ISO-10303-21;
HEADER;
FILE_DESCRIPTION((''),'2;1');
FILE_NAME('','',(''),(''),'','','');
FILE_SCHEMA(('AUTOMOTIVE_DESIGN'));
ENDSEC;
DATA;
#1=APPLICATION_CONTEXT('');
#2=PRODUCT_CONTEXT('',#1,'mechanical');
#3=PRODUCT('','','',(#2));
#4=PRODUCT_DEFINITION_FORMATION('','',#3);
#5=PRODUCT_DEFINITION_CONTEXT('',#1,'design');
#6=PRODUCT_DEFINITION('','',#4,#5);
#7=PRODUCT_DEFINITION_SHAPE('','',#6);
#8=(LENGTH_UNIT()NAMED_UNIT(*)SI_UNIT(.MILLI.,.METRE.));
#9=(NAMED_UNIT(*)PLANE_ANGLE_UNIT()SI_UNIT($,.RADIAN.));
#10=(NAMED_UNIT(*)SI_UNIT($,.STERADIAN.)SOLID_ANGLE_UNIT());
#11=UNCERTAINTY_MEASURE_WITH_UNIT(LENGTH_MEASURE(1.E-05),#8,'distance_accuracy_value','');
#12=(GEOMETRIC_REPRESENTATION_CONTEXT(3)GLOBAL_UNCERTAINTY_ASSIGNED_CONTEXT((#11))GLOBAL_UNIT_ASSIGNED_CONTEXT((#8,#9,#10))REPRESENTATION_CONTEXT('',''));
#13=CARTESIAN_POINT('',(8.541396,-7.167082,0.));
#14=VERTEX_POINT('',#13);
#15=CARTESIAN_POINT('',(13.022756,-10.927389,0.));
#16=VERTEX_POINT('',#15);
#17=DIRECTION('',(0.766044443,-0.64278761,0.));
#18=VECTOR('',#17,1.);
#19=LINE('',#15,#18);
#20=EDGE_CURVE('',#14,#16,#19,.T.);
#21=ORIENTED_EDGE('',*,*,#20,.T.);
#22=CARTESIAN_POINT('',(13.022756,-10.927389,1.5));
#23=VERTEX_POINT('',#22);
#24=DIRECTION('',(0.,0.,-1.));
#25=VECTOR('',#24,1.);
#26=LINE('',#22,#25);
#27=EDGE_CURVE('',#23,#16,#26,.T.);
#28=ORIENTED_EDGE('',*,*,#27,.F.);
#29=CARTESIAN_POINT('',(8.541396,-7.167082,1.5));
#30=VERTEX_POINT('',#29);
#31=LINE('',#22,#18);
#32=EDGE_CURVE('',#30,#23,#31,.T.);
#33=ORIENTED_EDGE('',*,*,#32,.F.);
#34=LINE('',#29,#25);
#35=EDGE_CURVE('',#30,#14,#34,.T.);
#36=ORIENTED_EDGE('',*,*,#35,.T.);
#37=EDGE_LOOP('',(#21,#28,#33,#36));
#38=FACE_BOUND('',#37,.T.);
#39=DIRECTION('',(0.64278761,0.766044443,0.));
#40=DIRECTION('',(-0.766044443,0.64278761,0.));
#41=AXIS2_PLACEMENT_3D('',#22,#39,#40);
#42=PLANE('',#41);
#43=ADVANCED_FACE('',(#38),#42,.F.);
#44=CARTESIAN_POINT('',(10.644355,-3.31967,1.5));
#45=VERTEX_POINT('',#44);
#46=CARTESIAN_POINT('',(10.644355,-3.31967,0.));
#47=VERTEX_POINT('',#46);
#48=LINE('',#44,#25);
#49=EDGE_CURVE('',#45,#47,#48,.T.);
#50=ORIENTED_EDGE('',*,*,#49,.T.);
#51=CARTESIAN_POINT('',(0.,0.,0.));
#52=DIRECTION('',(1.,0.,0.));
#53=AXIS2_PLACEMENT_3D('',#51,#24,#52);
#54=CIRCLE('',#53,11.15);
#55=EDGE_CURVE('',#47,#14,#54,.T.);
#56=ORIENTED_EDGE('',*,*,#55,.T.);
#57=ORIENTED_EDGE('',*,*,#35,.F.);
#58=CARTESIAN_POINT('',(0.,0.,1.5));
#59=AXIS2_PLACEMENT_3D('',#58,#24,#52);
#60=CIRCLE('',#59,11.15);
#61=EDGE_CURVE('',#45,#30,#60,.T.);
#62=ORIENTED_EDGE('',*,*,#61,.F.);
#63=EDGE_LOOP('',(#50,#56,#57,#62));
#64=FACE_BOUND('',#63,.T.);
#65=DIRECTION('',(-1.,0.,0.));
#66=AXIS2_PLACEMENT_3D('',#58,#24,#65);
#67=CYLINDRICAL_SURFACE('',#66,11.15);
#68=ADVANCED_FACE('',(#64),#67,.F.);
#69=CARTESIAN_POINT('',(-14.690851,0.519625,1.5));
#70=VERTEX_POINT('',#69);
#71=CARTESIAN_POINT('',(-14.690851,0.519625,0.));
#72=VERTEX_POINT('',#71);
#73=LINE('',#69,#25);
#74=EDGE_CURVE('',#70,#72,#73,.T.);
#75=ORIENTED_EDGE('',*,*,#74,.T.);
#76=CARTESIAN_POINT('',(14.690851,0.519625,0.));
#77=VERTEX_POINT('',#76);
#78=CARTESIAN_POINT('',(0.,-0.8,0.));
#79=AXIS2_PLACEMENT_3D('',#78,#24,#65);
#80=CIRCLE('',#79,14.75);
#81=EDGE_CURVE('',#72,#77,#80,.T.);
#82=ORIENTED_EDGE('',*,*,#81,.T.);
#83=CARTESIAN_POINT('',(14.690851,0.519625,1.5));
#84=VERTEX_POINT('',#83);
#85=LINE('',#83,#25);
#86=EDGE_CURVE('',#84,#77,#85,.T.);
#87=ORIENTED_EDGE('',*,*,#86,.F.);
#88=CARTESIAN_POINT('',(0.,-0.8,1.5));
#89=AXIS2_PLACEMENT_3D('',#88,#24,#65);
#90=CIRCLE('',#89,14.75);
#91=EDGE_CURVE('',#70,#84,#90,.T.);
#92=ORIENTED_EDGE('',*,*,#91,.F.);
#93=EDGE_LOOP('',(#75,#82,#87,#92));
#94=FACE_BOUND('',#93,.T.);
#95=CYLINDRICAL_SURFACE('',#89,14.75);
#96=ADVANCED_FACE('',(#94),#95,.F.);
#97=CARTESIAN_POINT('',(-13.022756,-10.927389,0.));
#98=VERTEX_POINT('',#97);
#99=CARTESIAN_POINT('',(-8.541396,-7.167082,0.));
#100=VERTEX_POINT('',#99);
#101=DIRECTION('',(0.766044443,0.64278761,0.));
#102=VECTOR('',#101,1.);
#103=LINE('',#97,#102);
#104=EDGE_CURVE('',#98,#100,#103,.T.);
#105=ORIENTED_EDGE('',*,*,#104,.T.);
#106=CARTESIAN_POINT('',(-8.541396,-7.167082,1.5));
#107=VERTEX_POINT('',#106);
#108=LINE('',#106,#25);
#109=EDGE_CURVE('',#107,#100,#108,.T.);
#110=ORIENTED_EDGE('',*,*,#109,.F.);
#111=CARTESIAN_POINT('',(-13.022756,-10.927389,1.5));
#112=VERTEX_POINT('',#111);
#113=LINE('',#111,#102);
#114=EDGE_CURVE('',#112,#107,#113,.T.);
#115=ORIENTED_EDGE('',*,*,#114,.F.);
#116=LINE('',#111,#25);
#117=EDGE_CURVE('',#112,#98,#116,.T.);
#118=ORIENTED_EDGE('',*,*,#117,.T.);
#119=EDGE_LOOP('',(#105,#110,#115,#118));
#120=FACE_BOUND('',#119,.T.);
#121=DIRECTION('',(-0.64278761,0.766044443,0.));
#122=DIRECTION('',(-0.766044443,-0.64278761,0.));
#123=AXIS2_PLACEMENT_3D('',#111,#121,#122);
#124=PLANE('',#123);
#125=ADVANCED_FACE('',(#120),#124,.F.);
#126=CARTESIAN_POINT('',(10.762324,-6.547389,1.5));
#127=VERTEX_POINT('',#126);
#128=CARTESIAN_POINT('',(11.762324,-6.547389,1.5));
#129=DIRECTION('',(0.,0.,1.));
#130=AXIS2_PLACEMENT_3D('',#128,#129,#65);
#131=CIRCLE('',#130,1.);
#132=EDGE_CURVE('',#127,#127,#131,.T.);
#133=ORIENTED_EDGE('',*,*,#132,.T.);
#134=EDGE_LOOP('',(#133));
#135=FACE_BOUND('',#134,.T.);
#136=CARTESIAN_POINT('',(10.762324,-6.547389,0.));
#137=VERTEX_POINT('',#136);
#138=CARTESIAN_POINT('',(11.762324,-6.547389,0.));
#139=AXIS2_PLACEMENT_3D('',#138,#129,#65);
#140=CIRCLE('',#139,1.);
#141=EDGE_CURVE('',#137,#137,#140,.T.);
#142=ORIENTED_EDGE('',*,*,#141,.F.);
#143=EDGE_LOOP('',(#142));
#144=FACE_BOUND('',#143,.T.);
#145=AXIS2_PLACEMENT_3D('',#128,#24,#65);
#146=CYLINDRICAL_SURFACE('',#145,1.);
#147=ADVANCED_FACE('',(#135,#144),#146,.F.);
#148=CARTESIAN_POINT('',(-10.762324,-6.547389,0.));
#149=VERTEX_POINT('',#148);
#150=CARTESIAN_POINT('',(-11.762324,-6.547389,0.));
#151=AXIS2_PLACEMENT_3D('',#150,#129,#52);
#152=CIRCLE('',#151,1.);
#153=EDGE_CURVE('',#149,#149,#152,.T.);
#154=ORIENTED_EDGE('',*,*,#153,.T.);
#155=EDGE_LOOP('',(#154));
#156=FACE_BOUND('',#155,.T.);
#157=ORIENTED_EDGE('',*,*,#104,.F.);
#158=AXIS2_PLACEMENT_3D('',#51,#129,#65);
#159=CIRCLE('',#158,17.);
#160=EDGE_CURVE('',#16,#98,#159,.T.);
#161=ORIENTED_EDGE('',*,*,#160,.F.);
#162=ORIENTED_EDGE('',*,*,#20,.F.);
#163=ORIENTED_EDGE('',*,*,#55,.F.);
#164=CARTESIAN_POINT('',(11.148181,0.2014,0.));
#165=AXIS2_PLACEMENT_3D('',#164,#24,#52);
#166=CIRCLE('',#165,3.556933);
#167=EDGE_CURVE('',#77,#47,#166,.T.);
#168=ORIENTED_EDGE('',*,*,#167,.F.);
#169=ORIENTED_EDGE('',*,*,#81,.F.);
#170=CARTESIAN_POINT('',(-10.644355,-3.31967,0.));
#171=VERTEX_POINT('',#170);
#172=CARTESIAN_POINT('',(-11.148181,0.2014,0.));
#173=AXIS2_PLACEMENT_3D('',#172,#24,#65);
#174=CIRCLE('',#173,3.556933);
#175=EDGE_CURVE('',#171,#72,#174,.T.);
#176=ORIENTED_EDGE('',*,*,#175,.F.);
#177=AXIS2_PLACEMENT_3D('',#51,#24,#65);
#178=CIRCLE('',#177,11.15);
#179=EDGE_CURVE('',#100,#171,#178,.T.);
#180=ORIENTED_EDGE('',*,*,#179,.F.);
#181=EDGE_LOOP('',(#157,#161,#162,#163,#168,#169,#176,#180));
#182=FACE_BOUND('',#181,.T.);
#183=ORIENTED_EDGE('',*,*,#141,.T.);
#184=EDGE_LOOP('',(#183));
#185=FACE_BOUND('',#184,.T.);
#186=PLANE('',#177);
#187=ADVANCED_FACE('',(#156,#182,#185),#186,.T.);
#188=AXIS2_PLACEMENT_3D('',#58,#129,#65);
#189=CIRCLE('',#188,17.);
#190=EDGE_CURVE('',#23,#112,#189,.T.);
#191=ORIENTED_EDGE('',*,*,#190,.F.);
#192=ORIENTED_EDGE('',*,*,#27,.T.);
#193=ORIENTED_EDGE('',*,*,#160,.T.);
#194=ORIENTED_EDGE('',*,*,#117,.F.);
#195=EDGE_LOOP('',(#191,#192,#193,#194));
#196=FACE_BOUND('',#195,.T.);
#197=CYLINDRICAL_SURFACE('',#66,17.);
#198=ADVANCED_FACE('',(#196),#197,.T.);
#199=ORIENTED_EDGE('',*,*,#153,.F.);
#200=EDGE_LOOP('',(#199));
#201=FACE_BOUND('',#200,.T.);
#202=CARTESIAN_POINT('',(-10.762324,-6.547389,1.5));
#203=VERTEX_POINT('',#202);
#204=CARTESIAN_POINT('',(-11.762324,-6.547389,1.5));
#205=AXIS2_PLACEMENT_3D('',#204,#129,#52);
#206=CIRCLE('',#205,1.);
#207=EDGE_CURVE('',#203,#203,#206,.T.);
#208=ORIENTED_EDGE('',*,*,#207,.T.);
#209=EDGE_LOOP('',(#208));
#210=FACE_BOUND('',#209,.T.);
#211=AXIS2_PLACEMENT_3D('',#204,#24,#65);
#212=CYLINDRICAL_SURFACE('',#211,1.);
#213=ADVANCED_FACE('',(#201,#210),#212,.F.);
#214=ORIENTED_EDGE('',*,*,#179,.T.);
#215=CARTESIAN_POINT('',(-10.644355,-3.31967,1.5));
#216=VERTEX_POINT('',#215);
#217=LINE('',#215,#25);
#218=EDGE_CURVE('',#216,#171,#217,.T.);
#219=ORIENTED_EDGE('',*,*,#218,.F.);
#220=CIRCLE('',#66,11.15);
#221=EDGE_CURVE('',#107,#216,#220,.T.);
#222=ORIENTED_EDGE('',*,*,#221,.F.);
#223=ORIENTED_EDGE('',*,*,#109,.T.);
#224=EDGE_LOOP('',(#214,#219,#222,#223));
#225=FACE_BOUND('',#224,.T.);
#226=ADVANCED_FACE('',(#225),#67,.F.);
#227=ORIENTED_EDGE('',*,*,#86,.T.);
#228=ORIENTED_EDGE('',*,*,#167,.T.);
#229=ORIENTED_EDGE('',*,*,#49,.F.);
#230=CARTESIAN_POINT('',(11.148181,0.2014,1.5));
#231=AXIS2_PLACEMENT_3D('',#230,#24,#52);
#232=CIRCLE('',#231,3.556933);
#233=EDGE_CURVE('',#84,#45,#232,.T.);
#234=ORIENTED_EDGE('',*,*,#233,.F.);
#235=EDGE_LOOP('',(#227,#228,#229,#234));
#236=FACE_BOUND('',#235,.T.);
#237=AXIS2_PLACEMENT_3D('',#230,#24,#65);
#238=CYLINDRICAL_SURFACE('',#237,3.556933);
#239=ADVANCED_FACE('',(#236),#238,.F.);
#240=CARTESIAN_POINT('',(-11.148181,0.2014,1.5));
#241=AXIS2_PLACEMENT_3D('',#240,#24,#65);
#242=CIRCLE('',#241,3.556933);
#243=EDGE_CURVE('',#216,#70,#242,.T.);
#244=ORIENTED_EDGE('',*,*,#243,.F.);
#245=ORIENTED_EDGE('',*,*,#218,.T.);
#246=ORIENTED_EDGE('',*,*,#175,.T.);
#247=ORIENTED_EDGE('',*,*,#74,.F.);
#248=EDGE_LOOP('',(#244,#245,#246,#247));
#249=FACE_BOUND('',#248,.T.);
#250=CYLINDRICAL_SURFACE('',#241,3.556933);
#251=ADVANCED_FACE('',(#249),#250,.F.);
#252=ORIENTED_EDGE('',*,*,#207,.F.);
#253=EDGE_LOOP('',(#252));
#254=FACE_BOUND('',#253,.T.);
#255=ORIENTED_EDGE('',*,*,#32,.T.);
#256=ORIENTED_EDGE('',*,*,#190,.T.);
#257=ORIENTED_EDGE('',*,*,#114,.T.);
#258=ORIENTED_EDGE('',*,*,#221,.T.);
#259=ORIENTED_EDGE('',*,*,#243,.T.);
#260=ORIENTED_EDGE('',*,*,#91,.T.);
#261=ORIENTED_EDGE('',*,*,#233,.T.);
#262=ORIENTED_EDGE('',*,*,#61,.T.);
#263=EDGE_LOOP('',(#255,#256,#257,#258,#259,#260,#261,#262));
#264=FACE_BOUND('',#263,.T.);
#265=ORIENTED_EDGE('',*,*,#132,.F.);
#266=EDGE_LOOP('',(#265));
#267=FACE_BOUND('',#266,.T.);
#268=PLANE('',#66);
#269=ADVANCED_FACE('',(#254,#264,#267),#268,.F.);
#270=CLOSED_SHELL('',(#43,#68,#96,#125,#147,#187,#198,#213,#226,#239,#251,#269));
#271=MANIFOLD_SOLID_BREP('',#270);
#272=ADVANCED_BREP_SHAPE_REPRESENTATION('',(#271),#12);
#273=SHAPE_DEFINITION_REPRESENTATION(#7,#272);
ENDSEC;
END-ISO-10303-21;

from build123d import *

# Parameters (mm, degrees)
SKETCH1_R           = 1
BOSS_EXTRUDE1_DEPTH = 1.5


with BuildPart() as part:
    # Sketch1 → Boss-Extrude1 (new body)
    with BuildSketch(Plane.XY):
        with BuildLine():
            Line((-13.022755533, -10.927389365), (-8.541395541, -7.167081848))
            ThreePointArc((-8.541395541, -7.167081848), (-9.783859128, -5.347765941), (-10.644354895, -3.319669993))
            ThreePointArc((-10.644354895, -3.319669993), (-13.596382147, -2.37892663), (-14.690850544, 0.51962506))
            ThreePointArc((-14.690850544, 0.51962506), (0, 13.95), (14.690850544, 0.51962506))
            ThreePointArc((14.690850544, 0.51962506), (13.596382147, -2.37892663), (10.644354895, -3.319669993))
            ThreePointArc((10.644354895, -3.319669993), (9.783859128, -5.347765941), (8.541395541, -7.167081848))
            Line((8.541395541, -7.167081848), (13.022755533, -10.927389365))
            ThreePointArc((13.022755533, -10.927389365), (0, 17), (-13.022755533, -10.927389365))
        make_face()
        with Locations((-11.762324169, -6.547389365)):
            Circle(SKETCH1_R, mode=Mode.SUBTRACT)
        with Locations(Location((11.762324169, -6.547389365, 0), (0, 0, 180))):
            Circle(SKETCH1_R, mode=Mode.SUBTRACT)
    extrude(amount=BOSS_EXTRUDE1_DEPTH)


solid = part.part
